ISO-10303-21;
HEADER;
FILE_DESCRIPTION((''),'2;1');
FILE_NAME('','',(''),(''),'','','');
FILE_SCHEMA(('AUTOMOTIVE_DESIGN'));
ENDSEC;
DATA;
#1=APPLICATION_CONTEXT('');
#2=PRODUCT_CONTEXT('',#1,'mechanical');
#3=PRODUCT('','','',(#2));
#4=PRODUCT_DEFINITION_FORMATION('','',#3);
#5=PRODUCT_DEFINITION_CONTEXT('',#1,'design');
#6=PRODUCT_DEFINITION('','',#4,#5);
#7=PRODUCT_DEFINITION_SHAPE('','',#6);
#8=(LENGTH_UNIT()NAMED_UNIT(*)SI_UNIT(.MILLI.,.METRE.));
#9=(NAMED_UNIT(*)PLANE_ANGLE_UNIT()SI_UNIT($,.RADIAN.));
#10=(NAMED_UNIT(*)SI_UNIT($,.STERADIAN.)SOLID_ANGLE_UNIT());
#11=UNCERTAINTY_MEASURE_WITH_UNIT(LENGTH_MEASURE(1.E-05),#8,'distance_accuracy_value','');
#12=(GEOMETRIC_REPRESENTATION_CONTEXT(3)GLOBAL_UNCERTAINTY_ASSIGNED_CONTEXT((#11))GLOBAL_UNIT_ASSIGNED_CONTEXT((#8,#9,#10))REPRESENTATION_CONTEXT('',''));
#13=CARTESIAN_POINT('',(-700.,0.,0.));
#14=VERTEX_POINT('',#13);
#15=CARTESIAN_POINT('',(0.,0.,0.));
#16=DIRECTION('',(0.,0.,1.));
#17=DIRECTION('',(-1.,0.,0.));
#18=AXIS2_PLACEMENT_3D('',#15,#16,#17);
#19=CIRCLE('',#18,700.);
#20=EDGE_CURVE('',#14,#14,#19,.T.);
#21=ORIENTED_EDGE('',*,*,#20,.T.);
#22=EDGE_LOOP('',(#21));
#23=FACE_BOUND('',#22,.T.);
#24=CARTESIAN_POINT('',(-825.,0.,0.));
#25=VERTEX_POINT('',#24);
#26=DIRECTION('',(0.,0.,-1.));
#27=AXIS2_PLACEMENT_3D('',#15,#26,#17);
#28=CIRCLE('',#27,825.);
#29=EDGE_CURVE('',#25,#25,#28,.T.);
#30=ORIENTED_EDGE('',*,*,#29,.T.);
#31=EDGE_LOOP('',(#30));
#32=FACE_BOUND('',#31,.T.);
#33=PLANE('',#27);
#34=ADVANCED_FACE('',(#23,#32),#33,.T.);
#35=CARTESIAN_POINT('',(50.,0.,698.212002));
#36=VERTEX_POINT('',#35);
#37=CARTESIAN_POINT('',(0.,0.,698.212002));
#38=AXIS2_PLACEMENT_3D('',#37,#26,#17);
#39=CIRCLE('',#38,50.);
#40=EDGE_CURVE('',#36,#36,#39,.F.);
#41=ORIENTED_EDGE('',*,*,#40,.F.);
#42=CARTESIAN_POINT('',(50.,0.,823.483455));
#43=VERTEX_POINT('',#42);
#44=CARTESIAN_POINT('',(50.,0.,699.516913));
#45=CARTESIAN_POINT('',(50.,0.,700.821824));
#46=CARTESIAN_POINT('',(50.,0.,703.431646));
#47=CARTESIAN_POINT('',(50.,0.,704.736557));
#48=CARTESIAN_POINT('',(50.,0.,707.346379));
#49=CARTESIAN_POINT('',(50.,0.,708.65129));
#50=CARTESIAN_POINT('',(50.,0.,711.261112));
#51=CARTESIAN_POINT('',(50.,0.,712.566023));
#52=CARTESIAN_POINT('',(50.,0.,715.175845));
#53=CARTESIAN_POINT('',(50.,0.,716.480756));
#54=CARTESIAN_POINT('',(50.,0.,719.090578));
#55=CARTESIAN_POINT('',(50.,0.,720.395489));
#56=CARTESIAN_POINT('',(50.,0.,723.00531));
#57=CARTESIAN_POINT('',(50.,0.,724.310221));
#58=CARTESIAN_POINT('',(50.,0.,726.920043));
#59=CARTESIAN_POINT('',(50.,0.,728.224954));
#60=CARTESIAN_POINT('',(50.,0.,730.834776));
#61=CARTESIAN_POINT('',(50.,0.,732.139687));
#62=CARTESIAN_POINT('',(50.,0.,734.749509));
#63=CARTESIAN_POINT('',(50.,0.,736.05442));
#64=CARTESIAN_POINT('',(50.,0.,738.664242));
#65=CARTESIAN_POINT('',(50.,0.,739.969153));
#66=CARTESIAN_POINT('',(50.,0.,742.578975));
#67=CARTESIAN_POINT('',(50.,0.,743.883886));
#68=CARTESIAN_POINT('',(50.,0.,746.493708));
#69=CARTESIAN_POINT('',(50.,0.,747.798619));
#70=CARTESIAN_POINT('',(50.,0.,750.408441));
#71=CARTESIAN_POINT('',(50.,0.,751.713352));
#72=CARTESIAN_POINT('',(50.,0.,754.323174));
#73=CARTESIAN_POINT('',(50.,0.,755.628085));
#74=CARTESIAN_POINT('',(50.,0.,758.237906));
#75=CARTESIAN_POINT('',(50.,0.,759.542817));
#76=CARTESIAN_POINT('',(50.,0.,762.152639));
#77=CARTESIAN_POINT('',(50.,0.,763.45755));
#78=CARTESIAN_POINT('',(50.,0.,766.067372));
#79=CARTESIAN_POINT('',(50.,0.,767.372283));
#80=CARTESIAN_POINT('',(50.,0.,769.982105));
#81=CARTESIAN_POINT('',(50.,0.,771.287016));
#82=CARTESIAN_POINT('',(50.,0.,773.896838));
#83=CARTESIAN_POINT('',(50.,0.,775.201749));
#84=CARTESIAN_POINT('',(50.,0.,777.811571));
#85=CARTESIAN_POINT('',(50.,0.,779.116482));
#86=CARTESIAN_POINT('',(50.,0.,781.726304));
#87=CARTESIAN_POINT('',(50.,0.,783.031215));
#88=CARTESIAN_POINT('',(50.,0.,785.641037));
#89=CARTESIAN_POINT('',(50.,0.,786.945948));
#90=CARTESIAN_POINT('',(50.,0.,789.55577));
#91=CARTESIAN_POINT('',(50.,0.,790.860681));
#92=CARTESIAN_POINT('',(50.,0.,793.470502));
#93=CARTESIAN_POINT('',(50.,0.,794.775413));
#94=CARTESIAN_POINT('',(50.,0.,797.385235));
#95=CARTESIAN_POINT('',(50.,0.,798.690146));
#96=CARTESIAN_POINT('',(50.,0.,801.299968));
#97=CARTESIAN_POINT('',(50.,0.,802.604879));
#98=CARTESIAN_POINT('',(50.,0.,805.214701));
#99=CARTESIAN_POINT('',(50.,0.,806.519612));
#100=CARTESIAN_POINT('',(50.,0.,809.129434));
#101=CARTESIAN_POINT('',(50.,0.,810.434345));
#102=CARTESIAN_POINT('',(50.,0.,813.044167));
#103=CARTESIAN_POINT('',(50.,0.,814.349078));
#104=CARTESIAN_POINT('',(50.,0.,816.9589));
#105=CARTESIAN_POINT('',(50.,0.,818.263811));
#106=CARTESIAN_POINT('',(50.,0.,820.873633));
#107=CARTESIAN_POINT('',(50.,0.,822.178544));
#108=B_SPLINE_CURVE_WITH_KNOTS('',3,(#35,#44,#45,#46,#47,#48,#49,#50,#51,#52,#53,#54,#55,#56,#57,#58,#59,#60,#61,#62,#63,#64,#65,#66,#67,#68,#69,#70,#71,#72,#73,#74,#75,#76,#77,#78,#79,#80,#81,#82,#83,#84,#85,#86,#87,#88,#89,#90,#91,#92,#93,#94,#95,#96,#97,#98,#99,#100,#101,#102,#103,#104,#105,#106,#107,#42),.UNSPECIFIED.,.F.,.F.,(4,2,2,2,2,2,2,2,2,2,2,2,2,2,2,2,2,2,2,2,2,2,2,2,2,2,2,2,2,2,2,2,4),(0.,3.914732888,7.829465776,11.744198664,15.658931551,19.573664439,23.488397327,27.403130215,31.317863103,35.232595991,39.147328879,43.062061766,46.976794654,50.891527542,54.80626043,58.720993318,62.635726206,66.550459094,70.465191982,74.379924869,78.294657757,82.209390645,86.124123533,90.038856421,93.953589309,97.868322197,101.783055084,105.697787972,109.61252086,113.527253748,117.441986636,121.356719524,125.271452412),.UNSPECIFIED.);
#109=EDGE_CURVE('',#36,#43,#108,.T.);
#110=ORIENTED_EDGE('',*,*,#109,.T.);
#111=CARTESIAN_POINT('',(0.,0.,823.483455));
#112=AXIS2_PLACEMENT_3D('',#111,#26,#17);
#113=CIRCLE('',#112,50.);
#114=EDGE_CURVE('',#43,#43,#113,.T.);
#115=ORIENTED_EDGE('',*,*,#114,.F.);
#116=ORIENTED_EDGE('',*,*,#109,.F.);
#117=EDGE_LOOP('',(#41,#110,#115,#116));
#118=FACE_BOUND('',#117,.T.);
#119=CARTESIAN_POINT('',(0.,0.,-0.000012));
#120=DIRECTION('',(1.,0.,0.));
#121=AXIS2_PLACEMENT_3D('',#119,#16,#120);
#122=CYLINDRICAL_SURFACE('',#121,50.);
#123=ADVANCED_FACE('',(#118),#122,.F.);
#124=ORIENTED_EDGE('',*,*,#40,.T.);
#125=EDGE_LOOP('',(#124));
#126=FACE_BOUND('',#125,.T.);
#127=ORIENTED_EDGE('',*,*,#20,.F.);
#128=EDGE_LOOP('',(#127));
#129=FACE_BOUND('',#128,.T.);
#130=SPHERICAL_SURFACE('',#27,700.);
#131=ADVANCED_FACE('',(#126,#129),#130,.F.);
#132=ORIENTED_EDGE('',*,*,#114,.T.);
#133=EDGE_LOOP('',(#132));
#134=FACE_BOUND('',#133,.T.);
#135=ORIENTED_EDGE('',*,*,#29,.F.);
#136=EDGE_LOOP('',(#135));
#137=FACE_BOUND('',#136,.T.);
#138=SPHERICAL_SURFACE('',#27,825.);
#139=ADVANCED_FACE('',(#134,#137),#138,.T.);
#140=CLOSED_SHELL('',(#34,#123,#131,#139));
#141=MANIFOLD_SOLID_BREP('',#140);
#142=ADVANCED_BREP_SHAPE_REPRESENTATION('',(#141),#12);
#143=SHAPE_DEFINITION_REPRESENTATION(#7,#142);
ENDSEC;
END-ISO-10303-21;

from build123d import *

# Parameters (mm, degrees)
REVOLVE1_ANGLE          = 180
CUT_EXTRUDE5_DEPTH      = 1429.941916244
CUT_EXTRUDE5_DEPTH_BACK = 1429.941916244
SKETCH2_R               = 50


with BuildPart() as part:
    # Sketch1 → Revolve1 (revolve)
    with BuildSketch(Plane.XY):
        with BuildLine():
            Line((0, 825), (0, 700))
            ThreePointArc((0, 700), (700, 0), (0, -700))
            Line((0, -700), (0, -825))
            ThreePointArc((0, -825), (825, 0), (0, 825))
        make_face()
    revolve(axis=Axis((0, -700, 0), (0, -1, 0)), revolution_arc=REVOLVE1_ANGLE)

    # Sketch2 → Cut-Extrude5 (cut, two sides: drawn at the far end of the back side and taken through both)
    with BuildSketch(Plane.XY.offset(-CUT_EXTRUDE5_DEPTH_BACK)):
        Circle(SKETCH2_R)
    extrude(amount=CUT_EXTRUDE5_DEPTH + CUT_EXTRUDE5_DEPTH_BACK, mode=Mode.SUBTRACT)


solid = part.part
